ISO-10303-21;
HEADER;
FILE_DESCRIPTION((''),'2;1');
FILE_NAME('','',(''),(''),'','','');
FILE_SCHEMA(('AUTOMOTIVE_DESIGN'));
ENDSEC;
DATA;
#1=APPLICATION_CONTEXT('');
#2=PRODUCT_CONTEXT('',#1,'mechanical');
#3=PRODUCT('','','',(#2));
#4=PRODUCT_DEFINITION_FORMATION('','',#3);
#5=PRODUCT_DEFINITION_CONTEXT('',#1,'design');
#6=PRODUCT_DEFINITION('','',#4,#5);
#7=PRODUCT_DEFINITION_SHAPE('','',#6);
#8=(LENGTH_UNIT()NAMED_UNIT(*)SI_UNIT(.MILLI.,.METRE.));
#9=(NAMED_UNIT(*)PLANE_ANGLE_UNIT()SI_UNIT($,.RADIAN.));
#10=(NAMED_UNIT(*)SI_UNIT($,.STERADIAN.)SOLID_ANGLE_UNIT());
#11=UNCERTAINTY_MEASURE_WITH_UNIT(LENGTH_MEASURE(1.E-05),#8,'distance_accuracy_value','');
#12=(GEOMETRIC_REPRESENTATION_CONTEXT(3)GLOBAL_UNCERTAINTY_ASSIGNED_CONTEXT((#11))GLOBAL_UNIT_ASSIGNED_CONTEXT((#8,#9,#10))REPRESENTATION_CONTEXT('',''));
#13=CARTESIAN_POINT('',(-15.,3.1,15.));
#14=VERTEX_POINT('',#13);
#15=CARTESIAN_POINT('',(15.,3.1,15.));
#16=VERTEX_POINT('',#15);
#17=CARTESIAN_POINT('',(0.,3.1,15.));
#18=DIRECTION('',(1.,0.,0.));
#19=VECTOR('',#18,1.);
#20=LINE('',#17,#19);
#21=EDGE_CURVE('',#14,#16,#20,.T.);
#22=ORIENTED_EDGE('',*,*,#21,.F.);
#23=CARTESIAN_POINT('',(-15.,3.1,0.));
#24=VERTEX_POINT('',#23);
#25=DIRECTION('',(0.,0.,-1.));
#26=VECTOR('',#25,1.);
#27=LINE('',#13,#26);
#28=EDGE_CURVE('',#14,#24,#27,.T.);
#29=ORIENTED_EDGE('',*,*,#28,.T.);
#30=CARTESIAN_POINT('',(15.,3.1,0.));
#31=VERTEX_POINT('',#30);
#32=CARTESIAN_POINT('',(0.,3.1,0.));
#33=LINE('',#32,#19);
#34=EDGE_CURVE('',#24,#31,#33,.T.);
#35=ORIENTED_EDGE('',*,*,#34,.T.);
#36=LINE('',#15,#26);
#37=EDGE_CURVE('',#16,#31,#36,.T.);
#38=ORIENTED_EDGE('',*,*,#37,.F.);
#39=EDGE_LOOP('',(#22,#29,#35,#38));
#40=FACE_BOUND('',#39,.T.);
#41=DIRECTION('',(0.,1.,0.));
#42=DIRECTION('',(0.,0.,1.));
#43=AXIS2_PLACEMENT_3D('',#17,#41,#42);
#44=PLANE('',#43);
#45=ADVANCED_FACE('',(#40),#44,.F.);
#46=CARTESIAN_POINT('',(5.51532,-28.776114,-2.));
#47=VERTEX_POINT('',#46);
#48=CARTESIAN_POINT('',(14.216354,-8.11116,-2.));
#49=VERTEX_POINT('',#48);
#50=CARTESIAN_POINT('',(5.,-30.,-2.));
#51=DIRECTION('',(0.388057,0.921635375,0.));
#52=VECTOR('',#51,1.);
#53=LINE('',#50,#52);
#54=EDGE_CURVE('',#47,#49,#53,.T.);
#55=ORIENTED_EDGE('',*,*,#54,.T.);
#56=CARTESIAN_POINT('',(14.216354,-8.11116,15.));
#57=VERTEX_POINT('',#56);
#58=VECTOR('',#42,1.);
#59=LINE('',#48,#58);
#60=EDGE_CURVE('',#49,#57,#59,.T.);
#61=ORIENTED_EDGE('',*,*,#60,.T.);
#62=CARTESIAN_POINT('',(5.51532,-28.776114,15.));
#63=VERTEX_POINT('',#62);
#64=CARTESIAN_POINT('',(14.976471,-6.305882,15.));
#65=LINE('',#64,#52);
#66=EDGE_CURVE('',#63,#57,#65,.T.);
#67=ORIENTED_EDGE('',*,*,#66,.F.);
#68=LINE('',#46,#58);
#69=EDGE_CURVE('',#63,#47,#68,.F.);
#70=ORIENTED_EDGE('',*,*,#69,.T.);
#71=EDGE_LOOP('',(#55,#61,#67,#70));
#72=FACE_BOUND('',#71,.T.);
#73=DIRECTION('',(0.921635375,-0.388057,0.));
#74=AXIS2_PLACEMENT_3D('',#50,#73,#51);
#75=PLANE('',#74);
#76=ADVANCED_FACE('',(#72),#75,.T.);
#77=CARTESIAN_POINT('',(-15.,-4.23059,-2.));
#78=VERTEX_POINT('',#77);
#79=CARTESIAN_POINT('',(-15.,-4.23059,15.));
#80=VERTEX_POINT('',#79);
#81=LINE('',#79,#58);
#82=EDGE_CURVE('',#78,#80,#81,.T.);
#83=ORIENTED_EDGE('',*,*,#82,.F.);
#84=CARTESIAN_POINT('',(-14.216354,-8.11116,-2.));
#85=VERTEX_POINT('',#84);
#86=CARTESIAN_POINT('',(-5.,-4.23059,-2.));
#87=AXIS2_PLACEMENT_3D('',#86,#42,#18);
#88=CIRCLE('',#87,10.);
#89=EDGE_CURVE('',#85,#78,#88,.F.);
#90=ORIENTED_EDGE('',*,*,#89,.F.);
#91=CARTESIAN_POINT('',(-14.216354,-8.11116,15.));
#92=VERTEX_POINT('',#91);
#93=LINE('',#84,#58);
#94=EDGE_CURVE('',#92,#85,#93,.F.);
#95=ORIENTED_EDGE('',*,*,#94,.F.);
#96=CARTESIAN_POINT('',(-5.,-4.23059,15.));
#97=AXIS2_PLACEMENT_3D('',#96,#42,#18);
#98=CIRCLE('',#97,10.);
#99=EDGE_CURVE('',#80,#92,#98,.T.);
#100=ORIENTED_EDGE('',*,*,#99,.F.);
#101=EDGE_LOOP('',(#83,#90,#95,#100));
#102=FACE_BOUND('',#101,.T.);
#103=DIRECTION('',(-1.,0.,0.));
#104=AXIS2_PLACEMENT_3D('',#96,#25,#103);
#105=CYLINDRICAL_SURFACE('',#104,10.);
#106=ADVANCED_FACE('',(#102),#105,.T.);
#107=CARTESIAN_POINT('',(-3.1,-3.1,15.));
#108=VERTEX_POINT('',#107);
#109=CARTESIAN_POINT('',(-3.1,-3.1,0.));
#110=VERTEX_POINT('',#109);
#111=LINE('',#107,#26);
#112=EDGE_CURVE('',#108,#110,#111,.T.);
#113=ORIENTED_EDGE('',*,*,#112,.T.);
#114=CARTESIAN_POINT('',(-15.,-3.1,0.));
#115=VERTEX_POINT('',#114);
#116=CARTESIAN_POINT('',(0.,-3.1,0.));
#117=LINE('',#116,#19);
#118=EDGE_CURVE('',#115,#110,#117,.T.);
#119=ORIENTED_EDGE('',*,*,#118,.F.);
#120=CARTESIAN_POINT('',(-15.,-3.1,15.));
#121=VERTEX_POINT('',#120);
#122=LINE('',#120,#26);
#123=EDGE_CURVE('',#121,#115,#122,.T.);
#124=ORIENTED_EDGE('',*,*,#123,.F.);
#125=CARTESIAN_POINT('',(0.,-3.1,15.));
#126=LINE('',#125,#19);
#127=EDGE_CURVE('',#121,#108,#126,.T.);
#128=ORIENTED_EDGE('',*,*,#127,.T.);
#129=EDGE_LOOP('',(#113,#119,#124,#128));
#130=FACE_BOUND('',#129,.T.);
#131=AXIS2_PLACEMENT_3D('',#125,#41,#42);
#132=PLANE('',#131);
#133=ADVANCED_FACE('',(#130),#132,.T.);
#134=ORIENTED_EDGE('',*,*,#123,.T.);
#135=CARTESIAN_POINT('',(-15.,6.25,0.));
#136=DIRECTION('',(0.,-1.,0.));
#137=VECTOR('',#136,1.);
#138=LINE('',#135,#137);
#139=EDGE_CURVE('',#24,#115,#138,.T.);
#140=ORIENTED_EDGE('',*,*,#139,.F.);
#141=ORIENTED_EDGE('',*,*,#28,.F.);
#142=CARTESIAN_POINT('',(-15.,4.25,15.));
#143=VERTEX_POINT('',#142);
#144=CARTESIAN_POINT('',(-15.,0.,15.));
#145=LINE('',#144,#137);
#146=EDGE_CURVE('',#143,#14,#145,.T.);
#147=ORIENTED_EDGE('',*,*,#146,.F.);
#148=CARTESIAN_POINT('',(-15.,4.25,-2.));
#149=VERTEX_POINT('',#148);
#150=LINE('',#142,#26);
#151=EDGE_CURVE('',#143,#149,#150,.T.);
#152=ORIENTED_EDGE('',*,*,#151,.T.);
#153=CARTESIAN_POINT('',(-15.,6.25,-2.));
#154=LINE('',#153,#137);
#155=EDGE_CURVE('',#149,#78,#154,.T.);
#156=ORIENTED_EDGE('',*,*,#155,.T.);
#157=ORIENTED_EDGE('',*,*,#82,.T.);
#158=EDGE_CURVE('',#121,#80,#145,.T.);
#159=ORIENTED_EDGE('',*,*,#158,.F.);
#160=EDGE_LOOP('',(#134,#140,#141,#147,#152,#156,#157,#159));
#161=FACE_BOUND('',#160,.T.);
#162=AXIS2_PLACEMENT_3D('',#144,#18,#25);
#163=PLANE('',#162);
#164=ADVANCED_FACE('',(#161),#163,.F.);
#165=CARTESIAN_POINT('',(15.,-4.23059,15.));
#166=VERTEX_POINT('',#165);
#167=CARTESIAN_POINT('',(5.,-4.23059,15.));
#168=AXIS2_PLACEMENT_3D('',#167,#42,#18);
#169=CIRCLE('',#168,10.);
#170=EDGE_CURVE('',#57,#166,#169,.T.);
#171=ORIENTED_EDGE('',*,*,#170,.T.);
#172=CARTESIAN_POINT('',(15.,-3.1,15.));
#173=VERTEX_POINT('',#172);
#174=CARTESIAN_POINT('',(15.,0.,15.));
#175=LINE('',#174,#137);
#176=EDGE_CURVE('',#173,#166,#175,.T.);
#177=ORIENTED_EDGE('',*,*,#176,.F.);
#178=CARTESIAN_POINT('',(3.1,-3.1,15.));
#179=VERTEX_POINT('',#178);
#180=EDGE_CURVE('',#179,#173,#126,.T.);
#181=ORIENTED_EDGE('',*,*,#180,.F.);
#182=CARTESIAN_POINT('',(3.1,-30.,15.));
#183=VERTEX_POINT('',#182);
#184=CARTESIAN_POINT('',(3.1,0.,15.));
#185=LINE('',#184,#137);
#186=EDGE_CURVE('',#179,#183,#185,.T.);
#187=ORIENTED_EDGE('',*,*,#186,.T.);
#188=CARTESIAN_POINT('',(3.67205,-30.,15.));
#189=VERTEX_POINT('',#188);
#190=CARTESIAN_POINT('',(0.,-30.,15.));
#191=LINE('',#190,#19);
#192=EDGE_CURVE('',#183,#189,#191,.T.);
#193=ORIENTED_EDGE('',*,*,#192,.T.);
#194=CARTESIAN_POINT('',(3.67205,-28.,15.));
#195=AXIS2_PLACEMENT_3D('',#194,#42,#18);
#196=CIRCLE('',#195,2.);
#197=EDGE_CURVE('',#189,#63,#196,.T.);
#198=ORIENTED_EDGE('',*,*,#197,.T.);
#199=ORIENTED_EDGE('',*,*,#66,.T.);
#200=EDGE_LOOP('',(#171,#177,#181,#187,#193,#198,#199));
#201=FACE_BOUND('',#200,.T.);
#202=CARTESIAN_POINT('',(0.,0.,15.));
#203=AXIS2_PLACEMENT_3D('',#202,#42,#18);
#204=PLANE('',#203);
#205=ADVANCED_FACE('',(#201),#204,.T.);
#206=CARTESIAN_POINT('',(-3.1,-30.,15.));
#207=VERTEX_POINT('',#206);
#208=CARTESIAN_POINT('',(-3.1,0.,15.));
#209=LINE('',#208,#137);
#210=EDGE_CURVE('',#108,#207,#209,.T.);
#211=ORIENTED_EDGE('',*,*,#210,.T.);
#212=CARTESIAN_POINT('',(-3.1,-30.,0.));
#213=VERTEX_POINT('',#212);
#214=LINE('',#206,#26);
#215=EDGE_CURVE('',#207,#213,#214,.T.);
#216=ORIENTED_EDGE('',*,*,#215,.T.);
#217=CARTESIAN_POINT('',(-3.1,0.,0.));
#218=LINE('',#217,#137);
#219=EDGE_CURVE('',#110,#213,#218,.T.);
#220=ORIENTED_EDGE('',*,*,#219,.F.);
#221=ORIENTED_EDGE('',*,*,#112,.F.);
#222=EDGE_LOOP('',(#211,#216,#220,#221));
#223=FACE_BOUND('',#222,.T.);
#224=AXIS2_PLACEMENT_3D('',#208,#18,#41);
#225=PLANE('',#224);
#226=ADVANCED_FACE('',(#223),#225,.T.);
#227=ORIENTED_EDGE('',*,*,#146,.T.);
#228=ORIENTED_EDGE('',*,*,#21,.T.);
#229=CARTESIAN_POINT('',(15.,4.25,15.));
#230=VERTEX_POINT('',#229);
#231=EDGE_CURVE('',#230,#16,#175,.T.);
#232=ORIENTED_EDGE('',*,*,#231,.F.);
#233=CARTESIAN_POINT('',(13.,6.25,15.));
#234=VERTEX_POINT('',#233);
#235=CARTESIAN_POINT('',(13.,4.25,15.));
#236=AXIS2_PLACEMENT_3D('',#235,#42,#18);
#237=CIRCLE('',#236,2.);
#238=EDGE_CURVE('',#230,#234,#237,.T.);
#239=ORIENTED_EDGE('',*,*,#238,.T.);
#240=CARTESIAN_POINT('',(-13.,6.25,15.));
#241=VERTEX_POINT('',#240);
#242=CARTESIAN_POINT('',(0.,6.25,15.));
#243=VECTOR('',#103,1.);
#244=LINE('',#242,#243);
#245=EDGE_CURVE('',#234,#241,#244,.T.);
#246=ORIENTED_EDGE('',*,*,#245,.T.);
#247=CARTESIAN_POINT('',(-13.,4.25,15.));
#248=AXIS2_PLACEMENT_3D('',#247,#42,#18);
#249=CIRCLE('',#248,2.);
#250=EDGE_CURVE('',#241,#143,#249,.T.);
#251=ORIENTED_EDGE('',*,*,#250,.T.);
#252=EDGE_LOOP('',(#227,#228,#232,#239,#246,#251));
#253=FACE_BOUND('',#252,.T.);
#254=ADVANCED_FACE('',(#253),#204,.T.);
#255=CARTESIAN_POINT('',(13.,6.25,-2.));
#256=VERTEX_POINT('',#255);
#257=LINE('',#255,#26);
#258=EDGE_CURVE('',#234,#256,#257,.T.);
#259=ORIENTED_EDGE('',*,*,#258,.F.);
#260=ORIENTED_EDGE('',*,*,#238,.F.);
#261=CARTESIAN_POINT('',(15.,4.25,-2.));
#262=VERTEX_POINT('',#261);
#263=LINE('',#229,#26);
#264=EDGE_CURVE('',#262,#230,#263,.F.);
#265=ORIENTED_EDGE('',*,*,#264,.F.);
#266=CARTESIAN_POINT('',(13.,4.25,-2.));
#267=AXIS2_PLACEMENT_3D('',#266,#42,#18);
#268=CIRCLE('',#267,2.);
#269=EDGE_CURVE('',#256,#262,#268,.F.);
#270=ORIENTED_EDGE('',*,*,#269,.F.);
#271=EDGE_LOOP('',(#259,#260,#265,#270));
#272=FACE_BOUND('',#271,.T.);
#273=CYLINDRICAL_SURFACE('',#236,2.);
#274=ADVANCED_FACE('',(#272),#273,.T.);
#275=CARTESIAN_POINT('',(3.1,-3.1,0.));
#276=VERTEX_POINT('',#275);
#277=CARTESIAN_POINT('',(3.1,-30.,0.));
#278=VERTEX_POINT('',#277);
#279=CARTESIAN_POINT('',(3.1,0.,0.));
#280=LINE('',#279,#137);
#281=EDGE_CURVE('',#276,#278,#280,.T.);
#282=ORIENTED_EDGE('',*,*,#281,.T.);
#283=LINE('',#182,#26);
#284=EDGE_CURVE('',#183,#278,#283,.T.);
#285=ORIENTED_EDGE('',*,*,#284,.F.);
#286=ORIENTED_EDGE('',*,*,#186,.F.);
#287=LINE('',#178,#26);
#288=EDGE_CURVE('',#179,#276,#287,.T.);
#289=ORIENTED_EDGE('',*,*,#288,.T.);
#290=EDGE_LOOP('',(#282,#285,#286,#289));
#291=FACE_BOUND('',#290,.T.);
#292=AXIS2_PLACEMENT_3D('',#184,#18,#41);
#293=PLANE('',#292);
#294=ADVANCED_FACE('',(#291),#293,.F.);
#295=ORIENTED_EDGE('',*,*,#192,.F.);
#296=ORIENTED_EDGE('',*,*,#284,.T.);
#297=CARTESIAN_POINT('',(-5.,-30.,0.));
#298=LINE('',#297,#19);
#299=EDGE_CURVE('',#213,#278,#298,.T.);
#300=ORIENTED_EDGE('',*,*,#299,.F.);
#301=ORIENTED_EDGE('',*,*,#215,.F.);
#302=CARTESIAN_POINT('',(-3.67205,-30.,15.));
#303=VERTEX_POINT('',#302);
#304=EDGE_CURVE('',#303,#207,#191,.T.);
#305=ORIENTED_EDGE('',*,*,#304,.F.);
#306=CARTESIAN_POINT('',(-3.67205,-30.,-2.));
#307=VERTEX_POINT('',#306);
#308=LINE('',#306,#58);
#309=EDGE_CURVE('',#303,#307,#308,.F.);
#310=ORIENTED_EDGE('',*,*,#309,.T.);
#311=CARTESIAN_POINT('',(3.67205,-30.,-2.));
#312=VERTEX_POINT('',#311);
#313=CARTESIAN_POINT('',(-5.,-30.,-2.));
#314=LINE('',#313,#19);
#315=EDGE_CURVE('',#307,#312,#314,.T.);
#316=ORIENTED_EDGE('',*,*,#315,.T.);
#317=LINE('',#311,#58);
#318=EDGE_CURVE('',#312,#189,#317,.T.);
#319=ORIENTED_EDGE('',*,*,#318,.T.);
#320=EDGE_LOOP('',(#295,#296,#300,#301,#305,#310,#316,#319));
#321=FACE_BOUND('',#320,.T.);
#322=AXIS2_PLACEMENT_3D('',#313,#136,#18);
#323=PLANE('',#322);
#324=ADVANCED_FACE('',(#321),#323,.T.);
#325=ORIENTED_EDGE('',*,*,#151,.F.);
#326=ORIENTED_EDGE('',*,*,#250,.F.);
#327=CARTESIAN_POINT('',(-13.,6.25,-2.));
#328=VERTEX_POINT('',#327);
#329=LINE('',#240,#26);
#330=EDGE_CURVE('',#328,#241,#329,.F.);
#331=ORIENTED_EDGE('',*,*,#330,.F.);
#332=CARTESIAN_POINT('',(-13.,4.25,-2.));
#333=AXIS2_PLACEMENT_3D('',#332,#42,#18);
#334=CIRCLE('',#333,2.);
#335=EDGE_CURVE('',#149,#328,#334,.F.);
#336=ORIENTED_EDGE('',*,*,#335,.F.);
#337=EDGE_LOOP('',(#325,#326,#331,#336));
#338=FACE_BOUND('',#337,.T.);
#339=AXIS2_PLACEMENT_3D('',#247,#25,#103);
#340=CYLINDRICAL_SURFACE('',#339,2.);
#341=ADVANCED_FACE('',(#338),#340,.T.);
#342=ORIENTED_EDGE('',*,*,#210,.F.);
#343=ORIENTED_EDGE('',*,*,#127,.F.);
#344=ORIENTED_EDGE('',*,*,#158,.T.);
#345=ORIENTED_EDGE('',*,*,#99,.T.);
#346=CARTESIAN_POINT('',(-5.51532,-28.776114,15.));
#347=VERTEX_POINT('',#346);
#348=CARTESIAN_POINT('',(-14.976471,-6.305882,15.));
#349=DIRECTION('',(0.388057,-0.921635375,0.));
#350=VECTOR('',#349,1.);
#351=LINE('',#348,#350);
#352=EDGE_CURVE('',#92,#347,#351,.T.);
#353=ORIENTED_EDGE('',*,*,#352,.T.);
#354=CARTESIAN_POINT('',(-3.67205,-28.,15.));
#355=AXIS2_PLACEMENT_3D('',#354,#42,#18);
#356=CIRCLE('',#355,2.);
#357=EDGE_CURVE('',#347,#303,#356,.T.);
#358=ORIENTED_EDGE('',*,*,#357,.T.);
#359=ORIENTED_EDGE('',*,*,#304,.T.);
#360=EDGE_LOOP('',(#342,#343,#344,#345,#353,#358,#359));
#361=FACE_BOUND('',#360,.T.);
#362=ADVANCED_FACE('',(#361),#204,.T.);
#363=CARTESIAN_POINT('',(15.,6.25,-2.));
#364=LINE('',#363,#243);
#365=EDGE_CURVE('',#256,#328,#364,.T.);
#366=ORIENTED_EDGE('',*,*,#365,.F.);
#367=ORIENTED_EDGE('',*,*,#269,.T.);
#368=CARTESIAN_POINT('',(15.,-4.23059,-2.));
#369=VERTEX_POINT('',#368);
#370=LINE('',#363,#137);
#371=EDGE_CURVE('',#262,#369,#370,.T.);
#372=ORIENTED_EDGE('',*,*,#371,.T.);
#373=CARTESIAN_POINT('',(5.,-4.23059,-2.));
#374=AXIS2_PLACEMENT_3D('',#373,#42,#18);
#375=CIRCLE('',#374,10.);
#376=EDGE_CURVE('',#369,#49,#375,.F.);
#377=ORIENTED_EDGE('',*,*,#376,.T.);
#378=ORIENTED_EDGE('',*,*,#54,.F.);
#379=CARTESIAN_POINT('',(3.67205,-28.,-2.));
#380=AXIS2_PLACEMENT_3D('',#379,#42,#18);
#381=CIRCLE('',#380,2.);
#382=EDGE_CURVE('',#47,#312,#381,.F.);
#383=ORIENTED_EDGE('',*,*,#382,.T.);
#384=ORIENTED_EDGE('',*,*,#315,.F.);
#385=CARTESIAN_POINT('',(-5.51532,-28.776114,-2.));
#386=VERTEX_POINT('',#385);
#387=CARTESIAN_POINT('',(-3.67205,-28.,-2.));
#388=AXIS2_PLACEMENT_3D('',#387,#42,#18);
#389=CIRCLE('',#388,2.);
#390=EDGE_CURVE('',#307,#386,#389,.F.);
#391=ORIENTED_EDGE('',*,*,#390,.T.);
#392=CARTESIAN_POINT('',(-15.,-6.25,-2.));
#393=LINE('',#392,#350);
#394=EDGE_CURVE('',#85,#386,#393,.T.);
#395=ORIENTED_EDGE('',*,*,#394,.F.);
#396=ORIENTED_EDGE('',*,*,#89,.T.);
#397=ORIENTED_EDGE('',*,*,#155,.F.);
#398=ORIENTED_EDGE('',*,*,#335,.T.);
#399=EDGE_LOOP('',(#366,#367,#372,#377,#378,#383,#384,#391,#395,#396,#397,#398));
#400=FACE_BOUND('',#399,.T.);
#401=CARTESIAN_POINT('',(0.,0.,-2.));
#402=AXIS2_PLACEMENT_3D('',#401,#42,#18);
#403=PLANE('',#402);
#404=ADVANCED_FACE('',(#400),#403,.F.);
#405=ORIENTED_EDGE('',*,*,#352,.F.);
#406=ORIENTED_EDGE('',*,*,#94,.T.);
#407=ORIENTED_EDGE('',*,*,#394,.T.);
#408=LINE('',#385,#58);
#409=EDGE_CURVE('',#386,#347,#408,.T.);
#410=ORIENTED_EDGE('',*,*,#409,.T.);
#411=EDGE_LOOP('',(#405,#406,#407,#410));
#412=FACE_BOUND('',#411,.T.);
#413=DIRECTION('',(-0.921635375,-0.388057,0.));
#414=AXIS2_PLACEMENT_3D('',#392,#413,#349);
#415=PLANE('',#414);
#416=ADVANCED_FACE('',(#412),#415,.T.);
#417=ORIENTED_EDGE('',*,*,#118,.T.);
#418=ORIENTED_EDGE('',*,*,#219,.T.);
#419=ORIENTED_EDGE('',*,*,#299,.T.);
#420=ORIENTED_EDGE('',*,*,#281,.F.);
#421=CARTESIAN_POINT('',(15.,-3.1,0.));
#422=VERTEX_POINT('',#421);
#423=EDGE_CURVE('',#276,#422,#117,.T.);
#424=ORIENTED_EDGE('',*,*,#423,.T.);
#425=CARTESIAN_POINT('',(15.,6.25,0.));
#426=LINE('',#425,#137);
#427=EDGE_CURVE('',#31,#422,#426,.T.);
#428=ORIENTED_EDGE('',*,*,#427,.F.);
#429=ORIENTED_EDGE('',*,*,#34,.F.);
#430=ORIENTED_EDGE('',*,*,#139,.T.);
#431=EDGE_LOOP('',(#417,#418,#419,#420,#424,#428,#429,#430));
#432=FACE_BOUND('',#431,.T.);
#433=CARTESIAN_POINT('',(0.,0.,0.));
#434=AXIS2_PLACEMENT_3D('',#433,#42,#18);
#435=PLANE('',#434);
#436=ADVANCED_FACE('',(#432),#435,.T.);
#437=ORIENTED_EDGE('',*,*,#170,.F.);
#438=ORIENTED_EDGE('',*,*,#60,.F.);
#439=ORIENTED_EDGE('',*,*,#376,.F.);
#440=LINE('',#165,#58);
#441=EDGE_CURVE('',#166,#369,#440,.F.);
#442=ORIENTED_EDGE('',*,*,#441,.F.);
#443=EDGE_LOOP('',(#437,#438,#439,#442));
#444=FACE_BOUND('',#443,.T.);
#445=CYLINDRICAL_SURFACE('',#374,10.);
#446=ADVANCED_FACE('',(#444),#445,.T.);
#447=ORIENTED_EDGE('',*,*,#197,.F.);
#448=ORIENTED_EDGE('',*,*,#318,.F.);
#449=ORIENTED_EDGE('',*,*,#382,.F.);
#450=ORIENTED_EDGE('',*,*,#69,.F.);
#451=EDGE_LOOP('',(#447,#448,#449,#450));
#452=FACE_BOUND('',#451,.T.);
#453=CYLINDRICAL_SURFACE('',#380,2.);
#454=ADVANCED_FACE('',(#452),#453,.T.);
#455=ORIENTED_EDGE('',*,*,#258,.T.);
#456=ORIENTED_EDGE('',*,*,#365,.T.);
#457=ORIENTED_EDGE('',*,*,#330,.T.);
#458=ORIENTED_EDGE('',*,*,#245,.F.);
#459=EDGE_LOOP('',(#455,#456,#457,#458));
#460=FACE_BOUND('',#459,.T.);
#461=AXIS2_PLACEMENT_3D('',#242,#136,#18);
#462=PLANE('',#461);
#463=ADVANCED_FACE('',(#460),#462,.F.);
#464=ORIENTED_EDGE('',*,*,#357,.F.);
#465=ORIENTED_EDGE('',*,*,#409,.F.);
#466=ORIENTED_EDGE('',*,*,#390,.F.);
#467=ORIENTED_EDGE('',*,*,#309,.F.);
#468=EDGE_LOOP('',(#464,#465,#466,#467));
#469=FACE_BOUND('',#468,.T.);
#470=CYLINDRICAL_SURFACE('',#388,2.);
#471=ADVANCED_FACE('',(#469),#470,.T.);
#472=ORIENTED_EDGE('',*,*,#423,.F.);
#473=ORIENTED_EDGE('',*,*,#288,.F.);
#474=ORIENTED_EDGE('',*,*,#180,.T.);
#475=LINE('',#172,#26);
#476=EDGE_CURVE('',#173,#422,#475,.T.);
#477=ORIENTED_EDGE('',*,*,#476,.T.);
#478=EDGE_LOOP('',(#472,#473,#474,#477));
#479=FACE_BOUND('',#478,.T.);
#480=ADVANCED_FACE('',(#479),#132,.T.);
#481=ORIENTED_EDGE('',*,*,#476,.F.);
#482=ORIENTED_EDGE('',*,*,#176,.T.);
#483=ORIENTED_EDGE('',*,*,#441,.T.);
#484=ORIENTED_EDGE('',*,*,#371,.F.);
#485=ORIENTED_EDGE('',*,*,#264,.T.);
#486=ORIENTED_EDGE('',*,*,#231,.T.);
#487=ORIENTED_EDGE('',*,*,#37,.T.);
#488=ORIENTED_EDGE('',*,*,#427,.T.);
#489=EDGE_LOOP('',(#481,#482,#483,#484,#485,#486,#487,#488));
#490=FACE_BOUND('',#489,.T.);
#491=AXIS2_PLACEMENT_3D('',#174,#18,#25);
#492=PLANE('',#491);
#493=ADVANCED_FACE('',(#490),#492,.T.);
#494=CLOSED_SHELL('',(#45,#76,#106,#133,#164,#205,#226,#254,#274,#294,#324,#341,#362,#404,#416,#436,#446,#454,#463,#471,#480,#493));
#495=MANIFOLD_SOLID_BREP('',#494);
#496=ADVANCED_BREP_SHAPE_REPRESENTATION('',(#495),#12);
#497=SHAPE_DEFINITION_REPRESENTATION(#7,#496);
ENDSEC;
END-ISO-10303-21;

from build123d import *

# Parameters (mm, degrees)
SZKIC1_W                      = 30
SZKIC1_H                      = 3.15
DODANIE_WYCI_GNI_CIE1_DEPTH   = 15
DODANIE_WYCI_GNI_CIE1_2_DEPTH = 15
DODANIE_WYCI_GNI_CIE1_3_DEPTH = 15
DODANIE_WYCI_GNI_CIE2_DEPTH   = 2
ZAOKR_GLENIE1_R               = 10
ZAOKR_GLENIE2_R               = 2


with BuildPart() as part:
    # Szkic1 → Dodanie-wyci_gni_cie1 (new body)
    with BuildSketch(Plane.XY):
        with Locations((0, 4.675)):
            Rectangle(SZKIC1_W, SZKIC1_H)
    extrude(amount=DODANIE_WYCI_GNI_CIE1_DEPTH)



with BuildPart() as body_2:
    # Szkic1 → Dodanie-wyci_gni_cie1 2 (new body)
    with BuildSketch(Plane.XY):
        Polygon((-15, -6.25), (-5, -30), (-3.1, -30), (-3.1, -3.1), (-15, -3.1), align=None)
    extrude(amount=DODANIE_WYCI_GNI_CIE1_2_DEPTH)


with BuildPart() as body_3:
    # Szkic1 → Dodanie-wyci_gni_cie1 3 (new body)
    with BuildSketch(Plane.XY):
        Polygon((3.1, -3.1), (3.1, -30), (5, -30), (15, -6.25), (15, -3.1), align=None)
    extrude(amount=DODANIE_WYCI_GNI_CIE1_3_DEPTH)


with BuildPart() as part_1:
    add(part.part)

    add(body_2.part)  # Dodanie-wyci_gni_cie2 merges body 2

    add(body_3.part)  # Dodanie-wyci_gni_cie2 merges body 3
    # Szkic1_3 → Dodanie-wyci_gni_cie2 (add)
    with BuildSketch(Plane.XY):
        Polygon((-5, -30), (5, -30), (15, -6.25), (15, 6.25), (-15, 6.25), (-15, -6.25), align=None)
    extrude(amount=-DODANIE_WYCI_GNI_CIE2_DEPTH)

    # Zaokr_glenie1
    zaokr_glenie1_edges = [part_1.edges().sort_by_distance(p)[0] for p in [
        (15, -6.25, 6.5),
        (-15, -6.25, 6.5),
    ]]
    fillet(zaokr_glenie1_edges, radius=ZAOKR_GLENIE1_R)

    # Zaokr_glenie2
    zaokr_glenie2_edges = [part_1.edges().sort_by_distance(p)[0] for p in [
        (5, -30, 6.5),
        (-5, -30, 6.5),
        (-15, 6.25, 6.5),
        (15, 6.25, 6.5),
    ]]
    fillet(zaokr_glenie2_edges, radius=ZAOKR_GLENIE2_R)


solid = part_1.part
